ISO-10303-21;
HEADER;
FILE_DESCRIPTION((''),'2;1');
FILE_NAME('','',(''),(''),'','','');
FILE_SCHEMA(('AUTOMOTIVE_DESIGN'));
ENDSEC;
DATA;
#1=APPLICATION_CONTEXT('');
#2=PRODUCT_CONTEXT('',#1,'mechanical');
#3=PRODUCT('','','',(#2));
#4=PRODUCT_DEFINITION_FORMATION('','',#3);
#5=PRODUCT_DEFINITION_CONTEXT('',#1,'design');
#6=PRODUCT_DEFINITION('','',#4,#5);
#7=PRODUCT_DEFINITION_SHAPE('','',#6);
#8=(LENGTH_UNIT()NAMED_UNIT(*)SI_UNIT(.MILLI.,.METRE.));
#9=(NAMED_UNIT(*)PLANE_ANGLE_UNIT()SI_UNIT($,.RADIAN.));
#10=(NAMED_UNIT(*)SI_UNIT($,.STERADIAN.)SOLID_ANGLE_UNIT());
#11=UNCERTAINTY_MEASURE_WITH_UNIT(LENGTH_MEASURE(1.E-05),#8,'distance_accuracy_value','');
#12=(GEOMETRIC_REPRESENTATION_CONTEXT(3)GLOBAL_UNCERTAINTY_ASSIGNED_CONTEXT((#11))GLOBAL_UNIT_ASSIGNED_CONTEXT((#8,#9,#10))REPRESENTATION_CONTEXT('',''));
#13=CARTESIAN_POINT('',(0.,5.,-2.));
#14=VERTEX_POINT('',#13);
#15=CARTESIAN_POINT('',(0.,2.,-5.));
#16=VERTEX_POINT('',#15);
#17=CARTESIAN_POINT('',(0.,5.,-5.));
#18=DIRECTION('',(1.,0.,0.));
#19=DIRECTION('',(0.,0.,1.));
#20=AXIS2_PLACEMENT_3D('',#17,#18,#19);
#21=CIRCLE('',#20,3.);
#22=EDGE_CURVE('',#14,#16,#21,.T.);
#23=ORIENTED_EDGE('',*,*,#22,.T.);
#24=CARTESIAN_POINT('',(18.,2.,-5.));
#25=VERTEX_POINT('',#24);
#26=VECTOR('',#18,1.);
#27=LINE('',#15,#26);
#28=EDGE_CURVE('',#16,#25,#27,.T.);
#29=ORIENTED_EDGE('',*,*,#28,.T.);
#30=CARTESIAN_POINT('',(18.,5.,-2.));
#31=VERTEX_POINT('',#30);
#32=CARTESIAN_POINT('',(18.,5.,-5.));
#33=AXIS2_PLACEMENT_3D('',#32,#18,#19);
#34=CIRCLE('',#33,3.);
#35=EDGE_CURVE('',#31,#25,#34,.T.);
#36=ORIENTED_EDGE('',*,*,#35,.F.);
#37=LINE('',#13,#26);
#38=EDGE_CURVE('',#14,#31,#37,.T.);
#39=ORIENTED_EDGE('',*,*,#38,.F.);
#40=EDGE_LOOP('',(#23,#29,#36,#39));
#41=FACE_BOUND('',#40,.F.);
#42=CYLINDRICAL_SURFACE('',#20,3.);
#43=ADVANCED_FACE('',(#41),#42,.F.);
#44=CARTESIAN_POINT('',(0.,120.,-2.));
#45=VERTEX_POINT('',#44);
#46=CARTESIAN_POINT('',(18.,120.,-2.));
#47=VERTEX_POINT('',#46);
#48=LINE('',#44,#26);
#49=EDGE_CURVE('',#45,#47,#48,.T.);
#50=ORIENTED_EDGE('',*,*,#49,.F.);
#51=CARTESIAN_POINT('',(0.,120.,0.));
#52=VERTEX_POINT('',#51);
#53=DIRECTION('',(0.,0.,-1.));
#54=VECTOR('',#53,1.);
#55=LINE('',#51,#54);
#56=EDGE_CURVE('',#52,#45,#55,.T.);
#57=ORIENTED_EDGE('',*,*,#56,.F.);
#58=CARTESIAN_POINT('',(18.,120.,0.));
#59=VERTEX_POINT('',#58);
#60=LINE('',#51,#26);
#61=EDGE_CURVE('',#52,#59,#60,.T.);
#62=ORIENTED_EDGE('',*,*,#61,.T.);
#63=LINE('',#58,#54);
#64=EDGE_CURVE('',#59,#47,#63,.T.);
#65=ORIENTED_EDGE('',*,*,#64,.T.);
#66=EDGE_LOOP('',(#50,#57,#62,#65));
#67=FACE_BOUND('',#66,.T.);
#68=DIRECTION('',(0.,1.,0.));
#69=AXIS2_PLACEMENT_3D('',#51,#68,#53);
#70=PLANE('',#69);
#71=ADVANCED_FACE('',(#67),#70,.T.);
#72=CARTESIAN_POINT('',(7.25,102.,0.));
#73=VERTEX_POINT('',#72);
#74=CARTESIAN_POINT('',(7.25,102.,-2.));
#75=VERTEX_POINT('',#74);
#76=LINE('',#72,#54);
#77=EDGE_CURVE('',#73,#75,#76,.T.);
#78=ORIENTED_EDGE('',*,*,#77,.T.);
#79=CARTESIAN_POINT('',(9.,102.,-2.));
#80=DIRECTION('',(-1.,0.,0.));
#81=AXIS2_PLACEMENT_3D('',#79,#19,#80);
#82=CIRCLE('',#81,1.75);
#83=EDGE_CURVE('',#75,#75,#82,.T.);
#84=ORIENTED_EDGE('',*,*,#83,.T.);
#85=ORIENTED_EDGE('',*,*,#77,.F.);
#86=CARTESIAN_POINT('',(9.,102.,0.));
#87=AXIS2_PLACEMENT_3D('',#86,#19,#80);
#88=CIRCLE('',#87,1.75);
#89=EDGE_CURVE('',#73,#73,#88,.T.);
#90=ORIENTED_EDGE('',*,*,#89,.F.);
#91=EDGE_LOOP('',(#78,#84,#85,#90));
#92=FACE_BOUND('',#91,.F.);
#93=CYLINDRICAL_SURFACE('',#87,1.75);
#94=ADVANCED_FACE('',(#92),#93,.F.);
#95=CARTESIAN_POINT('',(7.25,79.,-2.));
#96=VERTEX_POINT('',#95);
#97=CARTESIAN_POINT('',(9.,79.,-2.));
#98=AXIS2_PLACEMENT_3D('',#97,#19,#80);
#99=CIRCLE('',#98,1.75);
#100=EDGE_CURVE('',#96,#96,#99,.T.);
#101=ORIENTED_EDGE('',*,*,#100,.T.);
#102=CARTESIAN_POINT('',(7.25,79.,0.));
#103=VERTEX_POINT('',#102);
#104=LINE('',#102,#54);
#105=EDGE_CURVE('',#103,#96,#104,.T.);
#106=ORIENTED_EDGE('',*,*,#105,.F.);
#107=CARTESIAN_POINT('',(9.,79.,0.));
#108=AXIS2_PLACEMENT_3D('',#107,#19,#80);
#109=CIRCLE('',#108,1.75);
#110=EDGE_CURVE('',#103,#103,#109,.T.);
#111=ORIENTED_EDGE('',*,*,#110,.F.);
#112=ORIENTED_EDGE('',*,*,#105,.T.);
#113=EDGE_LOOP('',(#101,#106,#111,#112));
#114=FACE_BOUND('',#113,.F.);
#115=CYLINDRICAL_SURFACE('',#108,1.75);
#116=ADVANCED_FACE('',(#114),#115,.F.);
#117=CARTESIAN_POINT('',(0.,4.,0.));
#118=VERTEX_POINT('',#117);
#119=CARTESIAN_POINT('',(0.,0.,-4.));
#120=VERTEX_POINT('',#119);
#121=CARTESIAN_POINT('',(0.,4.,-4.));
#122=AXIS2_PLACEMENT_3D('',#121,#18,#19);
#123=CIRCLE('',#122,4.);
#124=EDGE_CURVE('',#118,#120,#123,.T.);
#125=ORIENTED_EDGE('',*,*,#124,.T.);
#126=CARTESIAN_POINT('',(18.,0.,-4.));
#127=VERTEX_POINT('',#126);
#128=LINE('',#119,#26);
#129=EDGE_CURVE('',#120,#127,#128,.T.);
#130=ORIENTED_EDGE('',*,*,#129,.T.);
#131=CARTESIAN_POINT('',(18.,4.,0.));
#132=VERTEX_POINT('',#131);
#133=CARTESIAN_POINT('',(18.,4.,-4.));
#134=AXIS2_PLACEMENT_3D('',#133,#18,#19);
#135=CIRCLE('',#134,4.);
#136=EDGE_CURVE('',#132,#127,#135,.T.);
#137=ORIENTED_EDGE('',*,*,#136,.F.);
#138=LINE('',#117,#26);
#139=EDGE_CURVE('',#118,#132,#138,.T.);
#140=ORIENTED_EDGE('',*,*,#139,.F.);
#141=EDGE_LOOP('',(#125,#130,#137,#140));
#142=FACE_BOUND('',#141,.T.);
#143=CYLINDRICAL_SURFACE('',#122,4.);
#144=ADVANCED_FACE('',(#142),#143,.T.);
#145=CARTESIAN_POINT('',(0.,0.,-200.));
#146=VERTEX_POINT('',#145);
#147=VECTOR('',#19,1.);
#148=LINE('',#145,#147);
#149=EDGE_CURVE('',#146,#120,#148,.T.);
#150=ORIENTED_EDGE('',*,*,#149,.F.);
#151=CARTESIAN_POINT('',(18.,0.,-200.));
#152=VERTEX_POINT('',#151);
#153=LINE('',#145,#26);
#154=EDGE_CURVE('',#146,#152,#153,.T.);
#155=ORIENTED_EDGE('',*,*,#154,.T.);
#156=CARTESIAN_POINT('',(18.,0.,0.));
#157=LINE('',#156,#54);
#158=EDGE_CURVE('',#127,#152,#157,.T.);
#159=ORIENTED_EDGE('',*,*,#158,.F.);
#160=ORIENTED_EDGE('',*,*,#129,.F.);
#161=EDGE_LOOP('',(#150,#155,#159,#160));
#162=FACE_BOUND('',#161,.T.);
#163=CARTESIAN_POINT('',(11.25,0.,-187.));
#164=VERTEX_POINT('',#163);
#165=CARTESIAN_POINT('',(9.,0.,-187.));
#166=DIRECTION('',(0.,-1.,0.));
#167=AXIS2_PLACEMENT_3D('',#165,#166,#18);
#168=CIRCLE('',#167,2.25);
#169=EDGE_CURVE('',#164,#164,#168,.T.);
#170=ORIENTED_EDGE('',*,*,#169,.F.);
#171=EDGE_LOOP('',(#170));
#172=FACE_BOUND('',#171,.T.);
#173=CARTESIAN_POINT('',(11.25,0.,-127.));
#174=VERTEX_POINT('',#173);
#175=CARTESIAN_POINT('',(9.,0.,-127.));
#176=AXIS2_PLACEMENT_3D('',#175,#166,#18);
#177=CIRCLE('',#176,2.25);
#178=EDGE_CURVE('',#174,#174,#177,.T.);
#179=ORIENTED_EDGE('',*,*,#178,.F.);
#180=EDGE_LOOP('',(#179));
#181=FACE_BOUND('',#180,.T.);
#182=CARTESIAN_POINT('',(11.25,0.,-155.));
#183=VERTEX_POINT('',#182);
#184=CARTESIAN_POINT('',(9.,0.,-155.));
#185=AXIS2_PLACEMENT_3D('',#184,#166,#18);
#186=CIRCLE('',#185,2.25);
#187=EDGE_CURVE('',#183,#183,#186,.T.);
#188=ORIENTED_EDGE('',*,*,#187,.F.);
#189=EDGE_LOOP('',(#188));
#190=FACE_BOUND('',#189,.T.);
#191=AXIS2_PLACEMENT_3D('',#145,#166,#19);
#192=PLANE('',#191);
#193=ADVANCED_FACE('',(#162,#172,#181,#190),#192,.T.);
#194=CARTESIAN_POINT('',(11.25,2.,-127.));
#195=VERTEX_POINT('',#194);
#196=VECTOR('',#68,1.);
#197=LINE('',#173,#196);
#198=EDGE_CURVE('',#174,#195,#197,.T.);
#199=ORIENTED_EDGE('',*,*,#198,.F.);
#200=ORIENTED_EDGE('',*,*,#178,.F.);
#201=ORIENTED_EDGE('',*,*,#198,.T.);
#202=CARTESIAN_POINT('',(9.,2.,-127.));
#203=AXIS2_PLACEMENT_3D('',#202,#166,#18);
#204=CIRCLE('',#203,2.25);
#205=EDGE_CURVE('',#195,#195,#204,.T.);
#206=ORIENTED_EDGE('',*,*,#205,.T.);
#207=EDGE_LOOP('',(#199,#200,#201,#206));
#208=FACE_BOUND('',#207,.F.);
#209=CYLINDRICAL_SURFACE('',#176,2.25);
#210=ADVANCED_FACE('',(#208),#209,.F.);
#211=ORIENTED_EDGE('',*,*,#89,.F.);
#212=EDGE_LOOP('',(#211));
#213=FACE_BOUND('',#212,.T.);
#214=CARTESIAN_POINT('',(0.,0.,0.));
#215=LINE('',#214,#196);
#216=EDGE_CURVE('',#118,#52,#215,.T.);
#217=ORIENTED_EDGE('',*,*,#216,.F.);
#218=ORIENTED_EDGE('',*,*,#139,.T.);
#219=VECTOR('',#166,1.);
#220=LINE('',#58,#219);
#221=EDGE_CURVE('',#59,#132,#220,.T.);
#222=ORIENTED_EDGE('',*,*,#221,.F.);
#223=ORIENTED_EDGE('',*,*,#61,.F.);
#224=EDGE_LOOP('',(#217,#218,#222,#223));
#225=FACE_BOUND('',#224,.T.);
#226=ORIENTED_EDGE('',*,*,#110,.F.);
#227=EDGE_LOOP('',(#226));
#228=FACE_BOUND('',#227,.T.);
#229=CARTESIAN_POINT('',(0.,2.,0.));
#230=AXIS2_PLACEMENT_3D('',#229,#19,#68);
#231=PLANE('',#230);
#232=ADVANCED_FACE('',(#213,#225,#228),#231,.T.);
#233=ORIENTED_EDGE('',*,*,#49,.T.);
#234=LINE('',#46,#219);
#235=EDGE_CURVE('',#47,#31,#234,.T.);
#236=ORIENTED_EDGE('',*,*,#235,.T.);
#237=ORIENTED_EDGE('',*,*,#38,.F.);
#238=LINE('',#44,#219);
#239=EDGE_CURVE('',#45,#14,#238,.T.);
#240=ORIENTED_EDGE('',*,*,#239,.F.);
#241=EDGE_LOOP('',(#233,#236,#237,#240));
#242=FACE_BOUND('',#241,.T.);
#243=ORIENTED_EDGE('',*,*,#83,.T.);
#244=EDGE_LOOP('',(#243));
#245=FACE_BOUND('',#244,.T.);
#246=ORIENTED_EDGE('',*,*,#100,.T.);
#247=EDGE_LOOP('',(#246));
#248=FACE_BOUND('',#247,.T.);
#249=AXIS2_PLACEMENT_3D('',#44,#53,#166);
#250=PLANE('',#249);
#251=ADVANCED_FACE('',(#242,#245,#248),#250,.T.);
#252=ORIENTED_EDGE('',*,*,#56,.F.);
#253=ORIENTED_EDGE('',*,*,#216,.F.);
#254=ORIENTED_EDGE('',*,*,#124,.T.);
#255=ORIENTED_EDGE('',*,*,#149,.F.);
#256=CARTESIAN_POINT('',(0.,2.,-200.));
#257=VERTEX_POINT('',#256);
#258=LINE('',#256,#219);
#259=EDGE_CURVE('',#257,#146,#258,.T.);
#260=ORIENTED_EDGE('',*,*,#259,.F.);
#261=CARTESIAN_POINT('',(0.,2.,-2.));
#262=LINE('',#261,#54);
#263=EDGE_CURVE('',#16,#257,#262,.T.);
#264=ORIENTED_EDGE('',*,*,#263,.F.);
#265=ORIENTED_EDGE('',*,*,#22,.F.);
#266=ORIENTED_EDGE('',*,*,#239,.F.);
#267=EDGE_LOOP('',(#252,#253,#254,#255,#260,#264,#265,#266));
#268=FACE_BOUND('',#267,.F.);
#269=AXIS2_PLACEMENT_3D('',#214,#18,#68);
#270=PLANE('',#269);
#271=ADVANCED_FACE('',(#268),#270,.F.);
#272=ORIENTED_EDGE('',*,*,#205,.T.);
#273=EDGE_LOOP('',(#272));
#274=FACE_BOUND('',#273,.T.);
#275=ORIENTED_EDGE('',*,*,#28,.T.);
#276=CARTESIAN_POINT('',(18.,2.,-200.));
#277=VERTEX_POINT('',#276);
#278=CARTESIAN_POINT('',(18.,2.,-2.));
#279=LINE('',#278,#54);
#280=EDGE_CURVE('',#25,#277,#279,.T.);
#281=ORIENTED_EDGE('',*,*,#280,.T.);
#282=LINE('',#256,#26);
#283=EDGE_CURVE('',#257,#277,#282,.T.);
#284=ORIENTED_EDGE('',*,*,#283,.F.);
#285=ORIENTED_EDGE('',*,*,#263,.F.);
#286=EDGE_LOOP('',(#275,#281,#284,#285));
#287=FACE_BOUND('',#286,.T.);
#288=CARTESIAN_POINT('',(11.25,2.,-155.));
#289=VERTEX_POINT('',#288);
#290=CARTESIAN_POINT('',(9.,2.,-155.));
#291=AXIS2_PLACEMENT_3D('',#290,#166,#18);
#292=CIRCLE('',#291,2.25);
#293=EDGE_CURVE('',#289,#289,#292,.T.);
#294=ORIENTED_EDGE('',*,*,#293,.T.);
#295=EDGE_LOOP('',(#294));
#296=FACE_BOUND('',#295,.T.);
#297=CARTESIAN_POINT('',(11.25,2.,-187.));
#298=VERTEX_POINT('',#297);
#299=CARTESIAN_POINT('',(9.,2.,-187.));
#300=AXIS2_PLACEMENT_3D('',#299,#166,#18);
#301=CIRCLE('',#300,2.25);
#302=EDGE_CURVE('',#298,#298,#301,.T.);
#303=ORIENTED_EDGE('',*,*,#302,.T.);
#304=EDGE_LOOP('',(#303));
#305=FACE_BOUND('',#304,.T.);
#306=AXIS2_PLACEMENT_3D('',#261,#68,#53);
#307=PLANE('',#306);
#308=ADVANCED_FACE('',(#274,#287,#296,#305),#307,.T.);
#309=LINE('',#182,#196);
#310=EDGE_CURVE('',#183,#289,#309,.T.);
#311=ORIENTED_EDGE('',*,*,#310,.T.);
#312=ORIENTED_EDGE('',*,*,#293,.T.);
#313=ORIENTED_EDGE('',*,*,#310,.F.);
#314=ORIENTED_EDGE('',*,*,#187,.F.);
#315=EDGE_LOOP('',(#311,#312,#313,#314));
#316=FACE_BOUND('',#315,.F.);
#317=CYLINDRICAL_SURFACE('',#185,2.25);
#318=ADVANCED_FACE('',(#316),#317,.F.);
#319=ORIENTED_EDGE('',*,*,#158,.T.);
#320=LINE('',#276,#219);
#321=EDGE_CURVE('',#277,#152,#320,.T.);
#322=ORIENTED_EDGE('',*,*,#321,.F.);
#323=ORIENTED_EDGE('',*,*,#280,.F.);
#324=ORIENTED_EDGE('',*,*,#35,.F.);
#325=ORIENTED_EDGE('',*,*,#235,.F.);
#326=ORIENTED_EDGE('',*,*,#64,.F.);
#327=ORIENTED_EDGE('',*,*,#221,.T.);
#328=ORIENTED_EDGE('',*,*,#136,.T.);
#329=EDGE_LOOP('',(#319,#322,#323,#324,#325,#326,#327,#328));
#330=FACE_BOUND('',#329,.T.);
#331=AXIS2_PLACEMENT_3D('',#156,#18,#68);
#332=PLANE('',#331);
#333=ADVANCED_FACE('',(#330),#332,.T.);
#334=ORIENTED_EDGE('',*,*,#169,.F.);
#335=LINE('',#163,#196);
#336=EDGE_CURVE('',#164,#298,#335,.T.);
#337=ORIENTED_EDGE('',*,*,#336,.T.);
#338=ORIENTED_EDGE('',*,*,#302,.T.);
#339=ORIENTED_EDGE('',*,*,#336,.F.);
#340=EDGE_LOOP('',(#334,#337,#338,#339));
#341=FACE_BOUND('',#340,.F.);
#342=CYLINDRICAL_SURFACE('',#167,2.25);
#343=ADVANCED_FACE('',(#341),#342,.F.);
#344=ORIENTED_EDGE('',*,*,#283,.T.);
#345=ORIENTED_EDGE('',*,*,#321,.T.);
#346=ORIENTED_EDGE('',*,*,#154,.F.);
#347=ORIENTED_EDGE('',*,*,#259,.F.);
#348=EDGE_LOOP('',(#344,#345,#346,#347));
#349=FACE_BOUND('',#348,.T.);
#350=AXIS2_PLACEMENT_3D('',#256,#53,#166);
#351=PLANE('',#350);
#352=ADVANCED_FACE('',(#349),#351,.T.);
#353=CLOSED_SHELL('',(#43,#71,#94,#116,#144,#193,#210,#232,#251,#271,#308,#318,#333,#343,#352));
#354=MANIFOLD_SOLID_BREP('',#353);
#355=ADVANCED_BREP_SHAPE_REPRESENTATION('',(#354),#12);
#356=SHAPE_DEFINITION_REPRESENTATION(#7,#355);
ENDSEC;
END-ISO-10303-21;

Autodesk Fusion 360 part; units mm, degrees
sketch "Bracket" plane through (0, 0, 0) normal (1, 0, 0) x (0, 1, 0)
  line L0 (0, 0) -> (2, 0)
  line L1 (2, -2) -> (2, -200)
  line L2 (2, -200) -> (0, -200)
  line L3 (0, -200) -> (0, 0)
  line L4 (0, 0) -> (120, 0)
  line L5 (120, 0) -> (120, -2)
  line L6 (120, -2) -> (2, -2)
  line L7 (0, -2) -> (0, 0)
  dimension "d1" = 2
  dimension "d2" = 200
  dimension "d3" = 120
  dimension "d4" = 2
extrude "Extrude1" add sketch "Bracket" along normal blind 18
fillet "Fillet1" radius 3 1 edges at (9, 2, -2)
fillet "Fillet2" radius 4 1 edges at (9, 0, 0)
sketch "Front Holes" plane through (0, 0, 0) normal (0, -1, 0) x (1, 0, 0)
  line L0 (18, -4) -> (0, -4)
  line L1 (0, -4) -> (0, -200)
  line L2 (0, -200) -> (18, -200)
  line L3 (18, -200) -> (18, -4)
  line L4 (9, -200) -> (9, -113.9355) construction
  circle A0 centre (9, -187) radius 2.25
  circle A1 centre (9, -155) radius 2.25
  circle A2 centre (9, -127) radius 2.25
  dimension "d9" = 4.5
  dimension "d10" = 4.5
  dimension "d11" = 4.5
  dimension "d12" = 13
  dimension "d13" = 32
  dimension "d14" = 28
sketch "Top Holes" plane through (0, 0, 0) normal (0, 0, 1) x (-1, 0, 0)
  line L0 (0, -4) -> (-18, -4)
  line L1 (-18, -4) -> (-18, -120)
  line L2 (-18, -120) -> (0, -120)
  line L3 (0, -120) -> (0, -4)
  line L4 (-9, -120) -> (-9, -16.6564) construction
  circle A0 centre (-9, -102) radius 1.75
  circle A1 centre (-9, -79) radius 1.75
  dimension "d15" = 3.5
  dimension "d16" = 3.5
  dimension "d17" = 18
  dimension "d18" = 23
extrude "Extrude2" cut sketch "Front Holes" against normal blind 5 contours A0 | A1 | A2
extrude "Extrude3" cut sketch "Top Holes" against normal blind 5 contours A0 | A1
equation "d10 = d9"
equation "d11 = d9"
equation "d16 = d15"
